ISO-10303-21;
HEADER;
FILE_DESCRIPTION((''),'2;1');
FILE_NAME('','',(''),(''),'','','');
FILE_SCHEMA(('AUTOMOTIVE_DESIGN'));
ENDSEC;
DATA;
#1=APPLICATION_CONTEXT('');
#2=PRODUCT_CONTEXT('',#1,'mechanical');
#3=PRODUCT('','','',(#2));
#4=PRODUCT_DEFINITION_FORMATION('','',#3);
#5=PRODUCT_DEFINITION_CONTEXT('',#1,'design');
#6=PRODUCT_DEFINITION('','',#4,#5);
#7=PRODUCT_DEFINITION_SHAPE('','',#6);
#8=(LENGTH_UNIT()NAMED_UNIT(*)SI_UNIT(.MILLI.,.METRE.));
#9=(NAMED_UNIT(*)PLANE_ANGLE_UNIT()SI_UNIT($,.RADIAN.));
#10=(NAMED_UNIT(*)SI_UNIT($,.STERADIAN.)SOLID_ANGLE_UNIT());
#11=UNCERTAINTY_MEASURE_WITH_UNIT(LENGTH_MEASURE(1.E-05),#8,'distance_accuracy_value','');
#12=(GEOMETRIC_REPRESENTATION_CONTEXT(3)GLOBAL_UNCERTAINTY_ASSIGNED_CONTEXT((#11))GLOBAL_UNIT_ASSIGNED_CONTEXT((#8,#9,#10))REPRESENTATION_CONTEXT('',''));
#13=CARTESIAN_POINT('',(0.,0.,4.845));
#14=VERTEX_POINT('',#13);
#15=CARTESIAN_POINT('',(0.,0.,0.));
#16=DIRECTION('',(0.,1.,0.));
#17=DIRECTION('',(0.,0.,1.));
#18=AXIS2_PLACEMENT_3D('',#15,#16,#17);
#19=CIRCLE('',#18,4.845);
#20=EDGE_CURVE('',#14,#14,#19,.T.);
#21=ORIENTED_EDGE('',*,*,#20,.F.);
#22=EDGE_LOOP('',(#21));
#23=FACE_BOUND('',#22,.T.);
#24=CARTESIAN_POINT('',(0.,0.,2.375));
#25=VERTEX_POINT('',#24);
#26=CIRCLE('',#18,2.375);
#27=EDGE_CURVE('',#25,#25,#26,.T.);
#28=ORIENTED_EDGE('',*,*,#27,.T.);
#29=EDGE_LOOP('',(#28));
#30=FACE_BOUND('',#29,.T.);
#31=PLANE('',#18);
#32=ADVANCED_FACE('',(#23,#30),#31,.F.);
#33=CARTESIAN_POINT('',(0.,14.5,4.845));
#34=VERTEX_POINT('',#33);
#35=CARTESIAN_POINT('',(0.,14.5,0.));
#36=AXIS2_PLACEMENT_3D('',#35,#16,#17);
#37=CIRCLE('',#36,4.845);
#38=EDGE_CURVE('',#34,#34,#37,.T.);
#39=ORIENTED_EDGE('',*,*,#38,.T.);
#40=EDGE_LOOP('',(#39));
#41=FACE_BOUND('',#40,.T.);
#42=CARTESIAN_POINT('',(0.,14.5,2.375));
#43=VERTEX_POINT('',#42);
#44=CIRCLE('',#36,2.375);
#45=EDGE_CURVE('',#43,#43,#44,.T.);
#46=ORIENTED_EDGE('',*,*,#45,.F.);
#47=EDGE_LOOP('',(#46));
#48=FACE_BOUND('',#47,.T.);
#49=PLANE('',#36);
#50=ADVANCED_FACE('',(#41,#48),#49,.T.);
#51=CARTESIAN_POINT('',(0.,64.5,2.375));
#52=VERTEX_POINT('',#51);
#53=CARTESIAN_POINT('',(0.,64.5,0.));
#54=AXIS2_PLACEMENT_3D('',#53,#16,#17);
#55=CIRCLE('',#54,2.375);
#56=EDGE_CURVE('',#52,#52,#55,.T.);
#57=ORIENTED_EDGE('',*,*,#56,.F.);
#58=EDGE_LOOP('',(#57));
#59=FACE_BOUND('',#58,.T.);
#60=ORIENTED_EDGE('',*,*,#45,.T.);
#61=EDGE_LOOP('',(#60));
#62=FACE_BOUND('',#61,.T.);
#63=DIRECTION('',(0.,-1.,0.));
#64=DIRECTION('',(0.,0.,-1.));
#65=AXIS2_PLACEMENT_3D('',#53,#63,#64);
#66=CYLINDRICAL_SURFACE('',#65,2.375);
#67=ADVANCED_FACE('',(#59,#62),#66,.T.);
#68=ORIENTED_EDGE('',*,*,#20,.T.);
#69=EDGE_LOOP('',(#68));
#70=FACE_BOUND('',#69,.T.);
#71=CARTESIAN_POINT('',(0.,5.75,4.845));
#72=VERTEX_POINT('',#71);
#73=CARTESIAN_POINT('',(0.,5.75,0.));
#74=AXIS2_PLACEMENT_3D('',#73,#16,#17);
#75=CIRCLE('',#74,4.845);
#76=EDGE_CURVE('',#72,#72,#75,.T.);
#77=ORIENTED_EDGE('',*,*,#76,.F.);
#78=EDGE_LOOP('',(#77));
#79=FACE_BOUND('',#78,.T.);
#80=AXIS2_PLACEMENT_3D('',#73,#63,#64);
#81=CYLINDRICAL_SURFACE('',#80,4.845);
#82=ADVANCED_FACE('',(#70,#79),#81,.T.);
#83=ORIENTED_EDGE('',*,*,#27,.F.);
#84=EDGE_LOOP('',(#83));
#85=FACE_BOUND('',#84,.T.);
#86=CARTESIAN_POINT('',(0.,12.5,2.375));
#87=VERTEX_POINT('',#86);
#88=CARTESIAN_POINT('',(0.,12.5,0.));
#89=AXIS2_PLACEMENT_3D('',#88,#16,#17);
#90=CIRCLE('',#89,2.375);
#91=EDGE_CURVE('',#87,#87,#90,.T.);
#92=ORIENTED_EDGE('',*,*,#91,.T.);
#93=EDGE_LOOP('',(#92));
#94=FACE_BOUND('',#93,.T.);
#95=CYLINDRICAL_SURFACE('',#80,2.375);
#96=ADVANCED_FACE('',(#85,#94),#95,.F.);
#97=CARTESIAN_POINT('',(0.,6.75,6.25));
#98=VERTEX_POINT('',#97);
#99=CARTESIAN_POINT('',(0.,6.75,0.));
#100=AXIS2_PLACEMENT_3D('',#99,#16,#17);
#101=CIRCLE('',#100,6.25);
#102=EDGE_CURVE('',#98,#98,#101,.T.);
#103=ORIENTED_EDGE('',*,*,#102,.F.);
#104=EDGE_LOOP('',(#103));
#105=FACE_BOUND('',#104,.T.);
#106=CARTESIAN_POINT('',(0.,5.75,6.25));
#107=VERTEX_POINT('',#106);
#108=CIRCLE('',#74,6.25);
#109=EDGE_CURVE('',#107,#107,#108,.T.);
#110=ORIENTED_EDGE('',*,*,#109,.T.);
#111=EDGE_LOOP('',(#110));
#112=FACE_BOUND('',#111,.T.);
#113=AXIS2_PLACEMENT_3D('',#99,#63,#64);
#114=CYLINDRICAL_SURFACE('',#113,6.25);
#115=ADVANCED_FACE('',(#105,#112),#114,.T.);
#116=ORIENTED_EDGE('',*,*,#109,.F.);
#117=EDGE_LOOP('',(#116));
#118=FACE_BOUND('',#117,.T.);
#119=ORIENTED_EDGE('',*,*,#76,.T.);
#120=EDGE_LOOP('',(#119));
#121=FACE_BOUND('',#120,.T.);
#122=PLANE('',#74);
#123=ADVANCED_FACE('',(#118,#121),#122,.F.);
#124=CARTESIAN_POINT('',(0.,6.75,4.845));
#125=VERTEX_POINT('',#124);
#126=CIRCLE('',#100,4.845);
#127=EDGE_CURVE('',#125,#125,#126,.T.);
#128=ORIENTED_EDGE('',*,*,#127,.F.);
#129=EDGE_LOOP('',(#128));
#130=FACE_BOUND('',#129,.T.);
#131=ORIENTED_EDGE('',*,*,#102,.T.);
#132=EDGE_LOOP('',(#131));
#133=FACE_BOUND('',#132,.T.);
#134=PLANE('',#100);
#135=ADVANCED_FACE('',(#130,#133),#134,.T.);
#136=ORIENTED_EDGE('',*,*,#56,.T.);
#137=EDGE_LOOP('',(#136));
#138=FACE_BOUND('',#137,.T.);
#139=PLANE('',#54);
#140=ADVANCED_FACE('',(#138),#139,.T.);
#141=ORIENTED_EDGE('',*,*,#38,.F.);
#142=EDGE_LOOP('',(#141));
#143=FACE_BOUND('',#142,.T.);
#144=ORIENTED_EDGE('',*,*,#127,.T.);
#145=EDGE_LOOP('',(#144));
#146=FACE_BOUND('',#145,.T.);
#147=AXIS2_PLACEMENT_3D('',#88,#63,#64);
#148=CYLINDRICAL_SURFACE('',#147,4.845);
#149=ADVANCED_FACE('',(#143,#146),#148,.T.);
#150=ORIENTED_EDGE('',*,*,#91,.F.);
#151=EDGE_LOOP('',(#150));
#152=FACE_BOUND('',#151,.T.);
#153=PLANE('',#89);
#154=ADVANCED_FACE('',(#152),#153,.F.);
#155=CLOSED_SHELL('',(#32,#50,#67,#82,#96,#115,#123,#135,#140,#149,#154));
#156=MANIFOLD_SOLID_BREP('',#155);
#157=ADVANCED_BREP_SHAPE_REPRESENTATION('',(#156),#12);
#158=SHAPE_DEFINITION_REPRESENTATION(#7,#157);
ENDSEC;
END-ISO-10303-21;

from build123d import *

# Parameters (mm, degrees)
SKETCH1_R           = 4.845
SKETCH1_R_2         = 2.375
BOSS_EXTRUDE1_DEPTH = 5.75
SKETCH4_R           = 6.25
SKETCH4_R_2         = 2.375
BOSS_EXTRUDE4_DEPTH = 1
SKETCH5_R           = 4.845
SKETCH5_R_2         = 2.375
BOSS_EXTRUDE5_DEPTH = 5.75
SKETCH6_R           = 4.845
BOSS_EXTRUDE6_DEPTH = 2
SKETCH7_R           = 2.375
BOSS_EXTRUDE7_DEPTH = 50


with BuildPart() as part:
    # Sketch1 → Boss-Extrude1 (new body)
    with BuildSketch(Plane(origin=(0, 0, 0), x_dir=(1, 0, 0), z_dir=(0, 1, 0))):
        with Locations(Location((0, 0, 0), (0, 0, 270))):
            Circle(SKETCH1_R)
        with Locations(Location((0, 0, 0), (0, 0, 270))):
            Circle(SKETCH1_R_2, mode=Mode.SUBTRACT)
    extrude(amount=BOSS_EXTRUDE1_DEPTH)

    # Sketch4 → Boss-Extrude4 (add)
    with BuildSketch(Plane(origin=(0, 5.75, 0), x_dir=(1, 0, 0), z_dir=(0, 1, 0))):
        with Locations(Location((0, 0, 0), (0, 0, 270))):
            Circle(SKETCH4_R)
        with Locations(Location((0, 0, 0), (0, 0, 270))):
            Circle(SKETCH4_R_2, mode=Mode.SUBTRACT)
    extrude(amount=BOSS_EXTRUDE4_DEPTH)

    # Sketch5 → Boss-Extrude5 (add)
    with BuildSketch(Plane(origin=(0, 6.75, 0), x_dir=(1, 0, 0), z_dir=(0, 1, 0))):
        with Locations(Location((0, 0, 0), (0, 0, 270))):
            Circle(SKETCH5_R)
        with Locations(Location((0, 0, 0), (0, 0, 270))):
            Circle(SKETCH5_R_2, mode=Mode.SUBTRACT)
    extrude(amount=BOSS_EXTRUDE5_DEPTH)

    # Sketch6 → Boss-Extrude6 (add)
    with BuildSketch(Plane(origin=(0, 12.5, 0), x_dir=(1, 0, 0), z_dir=(0, 1, 0))):
        with Locations(Location((0, 0, 0), (0, 0, 270))):
            Circle(SKETCH6_R)
    extrude(amount=BOSS_EXTRUDE6_DEPTH)

    # Sketch7 → Boss-Extrude7 (add)
    with BuildSketch(Plane(origin=(0, 14.5, 0), x_dir=(1, 0, 0), z_dir=(0, 1, 0))):
        with Locations(Location((0, 0, 0), (0, 0, 270))):
            Circle(SKETCH7_R)
    extrude(amount=BOSS_EXTRUDE7_DEPTH)


solid = part.part
